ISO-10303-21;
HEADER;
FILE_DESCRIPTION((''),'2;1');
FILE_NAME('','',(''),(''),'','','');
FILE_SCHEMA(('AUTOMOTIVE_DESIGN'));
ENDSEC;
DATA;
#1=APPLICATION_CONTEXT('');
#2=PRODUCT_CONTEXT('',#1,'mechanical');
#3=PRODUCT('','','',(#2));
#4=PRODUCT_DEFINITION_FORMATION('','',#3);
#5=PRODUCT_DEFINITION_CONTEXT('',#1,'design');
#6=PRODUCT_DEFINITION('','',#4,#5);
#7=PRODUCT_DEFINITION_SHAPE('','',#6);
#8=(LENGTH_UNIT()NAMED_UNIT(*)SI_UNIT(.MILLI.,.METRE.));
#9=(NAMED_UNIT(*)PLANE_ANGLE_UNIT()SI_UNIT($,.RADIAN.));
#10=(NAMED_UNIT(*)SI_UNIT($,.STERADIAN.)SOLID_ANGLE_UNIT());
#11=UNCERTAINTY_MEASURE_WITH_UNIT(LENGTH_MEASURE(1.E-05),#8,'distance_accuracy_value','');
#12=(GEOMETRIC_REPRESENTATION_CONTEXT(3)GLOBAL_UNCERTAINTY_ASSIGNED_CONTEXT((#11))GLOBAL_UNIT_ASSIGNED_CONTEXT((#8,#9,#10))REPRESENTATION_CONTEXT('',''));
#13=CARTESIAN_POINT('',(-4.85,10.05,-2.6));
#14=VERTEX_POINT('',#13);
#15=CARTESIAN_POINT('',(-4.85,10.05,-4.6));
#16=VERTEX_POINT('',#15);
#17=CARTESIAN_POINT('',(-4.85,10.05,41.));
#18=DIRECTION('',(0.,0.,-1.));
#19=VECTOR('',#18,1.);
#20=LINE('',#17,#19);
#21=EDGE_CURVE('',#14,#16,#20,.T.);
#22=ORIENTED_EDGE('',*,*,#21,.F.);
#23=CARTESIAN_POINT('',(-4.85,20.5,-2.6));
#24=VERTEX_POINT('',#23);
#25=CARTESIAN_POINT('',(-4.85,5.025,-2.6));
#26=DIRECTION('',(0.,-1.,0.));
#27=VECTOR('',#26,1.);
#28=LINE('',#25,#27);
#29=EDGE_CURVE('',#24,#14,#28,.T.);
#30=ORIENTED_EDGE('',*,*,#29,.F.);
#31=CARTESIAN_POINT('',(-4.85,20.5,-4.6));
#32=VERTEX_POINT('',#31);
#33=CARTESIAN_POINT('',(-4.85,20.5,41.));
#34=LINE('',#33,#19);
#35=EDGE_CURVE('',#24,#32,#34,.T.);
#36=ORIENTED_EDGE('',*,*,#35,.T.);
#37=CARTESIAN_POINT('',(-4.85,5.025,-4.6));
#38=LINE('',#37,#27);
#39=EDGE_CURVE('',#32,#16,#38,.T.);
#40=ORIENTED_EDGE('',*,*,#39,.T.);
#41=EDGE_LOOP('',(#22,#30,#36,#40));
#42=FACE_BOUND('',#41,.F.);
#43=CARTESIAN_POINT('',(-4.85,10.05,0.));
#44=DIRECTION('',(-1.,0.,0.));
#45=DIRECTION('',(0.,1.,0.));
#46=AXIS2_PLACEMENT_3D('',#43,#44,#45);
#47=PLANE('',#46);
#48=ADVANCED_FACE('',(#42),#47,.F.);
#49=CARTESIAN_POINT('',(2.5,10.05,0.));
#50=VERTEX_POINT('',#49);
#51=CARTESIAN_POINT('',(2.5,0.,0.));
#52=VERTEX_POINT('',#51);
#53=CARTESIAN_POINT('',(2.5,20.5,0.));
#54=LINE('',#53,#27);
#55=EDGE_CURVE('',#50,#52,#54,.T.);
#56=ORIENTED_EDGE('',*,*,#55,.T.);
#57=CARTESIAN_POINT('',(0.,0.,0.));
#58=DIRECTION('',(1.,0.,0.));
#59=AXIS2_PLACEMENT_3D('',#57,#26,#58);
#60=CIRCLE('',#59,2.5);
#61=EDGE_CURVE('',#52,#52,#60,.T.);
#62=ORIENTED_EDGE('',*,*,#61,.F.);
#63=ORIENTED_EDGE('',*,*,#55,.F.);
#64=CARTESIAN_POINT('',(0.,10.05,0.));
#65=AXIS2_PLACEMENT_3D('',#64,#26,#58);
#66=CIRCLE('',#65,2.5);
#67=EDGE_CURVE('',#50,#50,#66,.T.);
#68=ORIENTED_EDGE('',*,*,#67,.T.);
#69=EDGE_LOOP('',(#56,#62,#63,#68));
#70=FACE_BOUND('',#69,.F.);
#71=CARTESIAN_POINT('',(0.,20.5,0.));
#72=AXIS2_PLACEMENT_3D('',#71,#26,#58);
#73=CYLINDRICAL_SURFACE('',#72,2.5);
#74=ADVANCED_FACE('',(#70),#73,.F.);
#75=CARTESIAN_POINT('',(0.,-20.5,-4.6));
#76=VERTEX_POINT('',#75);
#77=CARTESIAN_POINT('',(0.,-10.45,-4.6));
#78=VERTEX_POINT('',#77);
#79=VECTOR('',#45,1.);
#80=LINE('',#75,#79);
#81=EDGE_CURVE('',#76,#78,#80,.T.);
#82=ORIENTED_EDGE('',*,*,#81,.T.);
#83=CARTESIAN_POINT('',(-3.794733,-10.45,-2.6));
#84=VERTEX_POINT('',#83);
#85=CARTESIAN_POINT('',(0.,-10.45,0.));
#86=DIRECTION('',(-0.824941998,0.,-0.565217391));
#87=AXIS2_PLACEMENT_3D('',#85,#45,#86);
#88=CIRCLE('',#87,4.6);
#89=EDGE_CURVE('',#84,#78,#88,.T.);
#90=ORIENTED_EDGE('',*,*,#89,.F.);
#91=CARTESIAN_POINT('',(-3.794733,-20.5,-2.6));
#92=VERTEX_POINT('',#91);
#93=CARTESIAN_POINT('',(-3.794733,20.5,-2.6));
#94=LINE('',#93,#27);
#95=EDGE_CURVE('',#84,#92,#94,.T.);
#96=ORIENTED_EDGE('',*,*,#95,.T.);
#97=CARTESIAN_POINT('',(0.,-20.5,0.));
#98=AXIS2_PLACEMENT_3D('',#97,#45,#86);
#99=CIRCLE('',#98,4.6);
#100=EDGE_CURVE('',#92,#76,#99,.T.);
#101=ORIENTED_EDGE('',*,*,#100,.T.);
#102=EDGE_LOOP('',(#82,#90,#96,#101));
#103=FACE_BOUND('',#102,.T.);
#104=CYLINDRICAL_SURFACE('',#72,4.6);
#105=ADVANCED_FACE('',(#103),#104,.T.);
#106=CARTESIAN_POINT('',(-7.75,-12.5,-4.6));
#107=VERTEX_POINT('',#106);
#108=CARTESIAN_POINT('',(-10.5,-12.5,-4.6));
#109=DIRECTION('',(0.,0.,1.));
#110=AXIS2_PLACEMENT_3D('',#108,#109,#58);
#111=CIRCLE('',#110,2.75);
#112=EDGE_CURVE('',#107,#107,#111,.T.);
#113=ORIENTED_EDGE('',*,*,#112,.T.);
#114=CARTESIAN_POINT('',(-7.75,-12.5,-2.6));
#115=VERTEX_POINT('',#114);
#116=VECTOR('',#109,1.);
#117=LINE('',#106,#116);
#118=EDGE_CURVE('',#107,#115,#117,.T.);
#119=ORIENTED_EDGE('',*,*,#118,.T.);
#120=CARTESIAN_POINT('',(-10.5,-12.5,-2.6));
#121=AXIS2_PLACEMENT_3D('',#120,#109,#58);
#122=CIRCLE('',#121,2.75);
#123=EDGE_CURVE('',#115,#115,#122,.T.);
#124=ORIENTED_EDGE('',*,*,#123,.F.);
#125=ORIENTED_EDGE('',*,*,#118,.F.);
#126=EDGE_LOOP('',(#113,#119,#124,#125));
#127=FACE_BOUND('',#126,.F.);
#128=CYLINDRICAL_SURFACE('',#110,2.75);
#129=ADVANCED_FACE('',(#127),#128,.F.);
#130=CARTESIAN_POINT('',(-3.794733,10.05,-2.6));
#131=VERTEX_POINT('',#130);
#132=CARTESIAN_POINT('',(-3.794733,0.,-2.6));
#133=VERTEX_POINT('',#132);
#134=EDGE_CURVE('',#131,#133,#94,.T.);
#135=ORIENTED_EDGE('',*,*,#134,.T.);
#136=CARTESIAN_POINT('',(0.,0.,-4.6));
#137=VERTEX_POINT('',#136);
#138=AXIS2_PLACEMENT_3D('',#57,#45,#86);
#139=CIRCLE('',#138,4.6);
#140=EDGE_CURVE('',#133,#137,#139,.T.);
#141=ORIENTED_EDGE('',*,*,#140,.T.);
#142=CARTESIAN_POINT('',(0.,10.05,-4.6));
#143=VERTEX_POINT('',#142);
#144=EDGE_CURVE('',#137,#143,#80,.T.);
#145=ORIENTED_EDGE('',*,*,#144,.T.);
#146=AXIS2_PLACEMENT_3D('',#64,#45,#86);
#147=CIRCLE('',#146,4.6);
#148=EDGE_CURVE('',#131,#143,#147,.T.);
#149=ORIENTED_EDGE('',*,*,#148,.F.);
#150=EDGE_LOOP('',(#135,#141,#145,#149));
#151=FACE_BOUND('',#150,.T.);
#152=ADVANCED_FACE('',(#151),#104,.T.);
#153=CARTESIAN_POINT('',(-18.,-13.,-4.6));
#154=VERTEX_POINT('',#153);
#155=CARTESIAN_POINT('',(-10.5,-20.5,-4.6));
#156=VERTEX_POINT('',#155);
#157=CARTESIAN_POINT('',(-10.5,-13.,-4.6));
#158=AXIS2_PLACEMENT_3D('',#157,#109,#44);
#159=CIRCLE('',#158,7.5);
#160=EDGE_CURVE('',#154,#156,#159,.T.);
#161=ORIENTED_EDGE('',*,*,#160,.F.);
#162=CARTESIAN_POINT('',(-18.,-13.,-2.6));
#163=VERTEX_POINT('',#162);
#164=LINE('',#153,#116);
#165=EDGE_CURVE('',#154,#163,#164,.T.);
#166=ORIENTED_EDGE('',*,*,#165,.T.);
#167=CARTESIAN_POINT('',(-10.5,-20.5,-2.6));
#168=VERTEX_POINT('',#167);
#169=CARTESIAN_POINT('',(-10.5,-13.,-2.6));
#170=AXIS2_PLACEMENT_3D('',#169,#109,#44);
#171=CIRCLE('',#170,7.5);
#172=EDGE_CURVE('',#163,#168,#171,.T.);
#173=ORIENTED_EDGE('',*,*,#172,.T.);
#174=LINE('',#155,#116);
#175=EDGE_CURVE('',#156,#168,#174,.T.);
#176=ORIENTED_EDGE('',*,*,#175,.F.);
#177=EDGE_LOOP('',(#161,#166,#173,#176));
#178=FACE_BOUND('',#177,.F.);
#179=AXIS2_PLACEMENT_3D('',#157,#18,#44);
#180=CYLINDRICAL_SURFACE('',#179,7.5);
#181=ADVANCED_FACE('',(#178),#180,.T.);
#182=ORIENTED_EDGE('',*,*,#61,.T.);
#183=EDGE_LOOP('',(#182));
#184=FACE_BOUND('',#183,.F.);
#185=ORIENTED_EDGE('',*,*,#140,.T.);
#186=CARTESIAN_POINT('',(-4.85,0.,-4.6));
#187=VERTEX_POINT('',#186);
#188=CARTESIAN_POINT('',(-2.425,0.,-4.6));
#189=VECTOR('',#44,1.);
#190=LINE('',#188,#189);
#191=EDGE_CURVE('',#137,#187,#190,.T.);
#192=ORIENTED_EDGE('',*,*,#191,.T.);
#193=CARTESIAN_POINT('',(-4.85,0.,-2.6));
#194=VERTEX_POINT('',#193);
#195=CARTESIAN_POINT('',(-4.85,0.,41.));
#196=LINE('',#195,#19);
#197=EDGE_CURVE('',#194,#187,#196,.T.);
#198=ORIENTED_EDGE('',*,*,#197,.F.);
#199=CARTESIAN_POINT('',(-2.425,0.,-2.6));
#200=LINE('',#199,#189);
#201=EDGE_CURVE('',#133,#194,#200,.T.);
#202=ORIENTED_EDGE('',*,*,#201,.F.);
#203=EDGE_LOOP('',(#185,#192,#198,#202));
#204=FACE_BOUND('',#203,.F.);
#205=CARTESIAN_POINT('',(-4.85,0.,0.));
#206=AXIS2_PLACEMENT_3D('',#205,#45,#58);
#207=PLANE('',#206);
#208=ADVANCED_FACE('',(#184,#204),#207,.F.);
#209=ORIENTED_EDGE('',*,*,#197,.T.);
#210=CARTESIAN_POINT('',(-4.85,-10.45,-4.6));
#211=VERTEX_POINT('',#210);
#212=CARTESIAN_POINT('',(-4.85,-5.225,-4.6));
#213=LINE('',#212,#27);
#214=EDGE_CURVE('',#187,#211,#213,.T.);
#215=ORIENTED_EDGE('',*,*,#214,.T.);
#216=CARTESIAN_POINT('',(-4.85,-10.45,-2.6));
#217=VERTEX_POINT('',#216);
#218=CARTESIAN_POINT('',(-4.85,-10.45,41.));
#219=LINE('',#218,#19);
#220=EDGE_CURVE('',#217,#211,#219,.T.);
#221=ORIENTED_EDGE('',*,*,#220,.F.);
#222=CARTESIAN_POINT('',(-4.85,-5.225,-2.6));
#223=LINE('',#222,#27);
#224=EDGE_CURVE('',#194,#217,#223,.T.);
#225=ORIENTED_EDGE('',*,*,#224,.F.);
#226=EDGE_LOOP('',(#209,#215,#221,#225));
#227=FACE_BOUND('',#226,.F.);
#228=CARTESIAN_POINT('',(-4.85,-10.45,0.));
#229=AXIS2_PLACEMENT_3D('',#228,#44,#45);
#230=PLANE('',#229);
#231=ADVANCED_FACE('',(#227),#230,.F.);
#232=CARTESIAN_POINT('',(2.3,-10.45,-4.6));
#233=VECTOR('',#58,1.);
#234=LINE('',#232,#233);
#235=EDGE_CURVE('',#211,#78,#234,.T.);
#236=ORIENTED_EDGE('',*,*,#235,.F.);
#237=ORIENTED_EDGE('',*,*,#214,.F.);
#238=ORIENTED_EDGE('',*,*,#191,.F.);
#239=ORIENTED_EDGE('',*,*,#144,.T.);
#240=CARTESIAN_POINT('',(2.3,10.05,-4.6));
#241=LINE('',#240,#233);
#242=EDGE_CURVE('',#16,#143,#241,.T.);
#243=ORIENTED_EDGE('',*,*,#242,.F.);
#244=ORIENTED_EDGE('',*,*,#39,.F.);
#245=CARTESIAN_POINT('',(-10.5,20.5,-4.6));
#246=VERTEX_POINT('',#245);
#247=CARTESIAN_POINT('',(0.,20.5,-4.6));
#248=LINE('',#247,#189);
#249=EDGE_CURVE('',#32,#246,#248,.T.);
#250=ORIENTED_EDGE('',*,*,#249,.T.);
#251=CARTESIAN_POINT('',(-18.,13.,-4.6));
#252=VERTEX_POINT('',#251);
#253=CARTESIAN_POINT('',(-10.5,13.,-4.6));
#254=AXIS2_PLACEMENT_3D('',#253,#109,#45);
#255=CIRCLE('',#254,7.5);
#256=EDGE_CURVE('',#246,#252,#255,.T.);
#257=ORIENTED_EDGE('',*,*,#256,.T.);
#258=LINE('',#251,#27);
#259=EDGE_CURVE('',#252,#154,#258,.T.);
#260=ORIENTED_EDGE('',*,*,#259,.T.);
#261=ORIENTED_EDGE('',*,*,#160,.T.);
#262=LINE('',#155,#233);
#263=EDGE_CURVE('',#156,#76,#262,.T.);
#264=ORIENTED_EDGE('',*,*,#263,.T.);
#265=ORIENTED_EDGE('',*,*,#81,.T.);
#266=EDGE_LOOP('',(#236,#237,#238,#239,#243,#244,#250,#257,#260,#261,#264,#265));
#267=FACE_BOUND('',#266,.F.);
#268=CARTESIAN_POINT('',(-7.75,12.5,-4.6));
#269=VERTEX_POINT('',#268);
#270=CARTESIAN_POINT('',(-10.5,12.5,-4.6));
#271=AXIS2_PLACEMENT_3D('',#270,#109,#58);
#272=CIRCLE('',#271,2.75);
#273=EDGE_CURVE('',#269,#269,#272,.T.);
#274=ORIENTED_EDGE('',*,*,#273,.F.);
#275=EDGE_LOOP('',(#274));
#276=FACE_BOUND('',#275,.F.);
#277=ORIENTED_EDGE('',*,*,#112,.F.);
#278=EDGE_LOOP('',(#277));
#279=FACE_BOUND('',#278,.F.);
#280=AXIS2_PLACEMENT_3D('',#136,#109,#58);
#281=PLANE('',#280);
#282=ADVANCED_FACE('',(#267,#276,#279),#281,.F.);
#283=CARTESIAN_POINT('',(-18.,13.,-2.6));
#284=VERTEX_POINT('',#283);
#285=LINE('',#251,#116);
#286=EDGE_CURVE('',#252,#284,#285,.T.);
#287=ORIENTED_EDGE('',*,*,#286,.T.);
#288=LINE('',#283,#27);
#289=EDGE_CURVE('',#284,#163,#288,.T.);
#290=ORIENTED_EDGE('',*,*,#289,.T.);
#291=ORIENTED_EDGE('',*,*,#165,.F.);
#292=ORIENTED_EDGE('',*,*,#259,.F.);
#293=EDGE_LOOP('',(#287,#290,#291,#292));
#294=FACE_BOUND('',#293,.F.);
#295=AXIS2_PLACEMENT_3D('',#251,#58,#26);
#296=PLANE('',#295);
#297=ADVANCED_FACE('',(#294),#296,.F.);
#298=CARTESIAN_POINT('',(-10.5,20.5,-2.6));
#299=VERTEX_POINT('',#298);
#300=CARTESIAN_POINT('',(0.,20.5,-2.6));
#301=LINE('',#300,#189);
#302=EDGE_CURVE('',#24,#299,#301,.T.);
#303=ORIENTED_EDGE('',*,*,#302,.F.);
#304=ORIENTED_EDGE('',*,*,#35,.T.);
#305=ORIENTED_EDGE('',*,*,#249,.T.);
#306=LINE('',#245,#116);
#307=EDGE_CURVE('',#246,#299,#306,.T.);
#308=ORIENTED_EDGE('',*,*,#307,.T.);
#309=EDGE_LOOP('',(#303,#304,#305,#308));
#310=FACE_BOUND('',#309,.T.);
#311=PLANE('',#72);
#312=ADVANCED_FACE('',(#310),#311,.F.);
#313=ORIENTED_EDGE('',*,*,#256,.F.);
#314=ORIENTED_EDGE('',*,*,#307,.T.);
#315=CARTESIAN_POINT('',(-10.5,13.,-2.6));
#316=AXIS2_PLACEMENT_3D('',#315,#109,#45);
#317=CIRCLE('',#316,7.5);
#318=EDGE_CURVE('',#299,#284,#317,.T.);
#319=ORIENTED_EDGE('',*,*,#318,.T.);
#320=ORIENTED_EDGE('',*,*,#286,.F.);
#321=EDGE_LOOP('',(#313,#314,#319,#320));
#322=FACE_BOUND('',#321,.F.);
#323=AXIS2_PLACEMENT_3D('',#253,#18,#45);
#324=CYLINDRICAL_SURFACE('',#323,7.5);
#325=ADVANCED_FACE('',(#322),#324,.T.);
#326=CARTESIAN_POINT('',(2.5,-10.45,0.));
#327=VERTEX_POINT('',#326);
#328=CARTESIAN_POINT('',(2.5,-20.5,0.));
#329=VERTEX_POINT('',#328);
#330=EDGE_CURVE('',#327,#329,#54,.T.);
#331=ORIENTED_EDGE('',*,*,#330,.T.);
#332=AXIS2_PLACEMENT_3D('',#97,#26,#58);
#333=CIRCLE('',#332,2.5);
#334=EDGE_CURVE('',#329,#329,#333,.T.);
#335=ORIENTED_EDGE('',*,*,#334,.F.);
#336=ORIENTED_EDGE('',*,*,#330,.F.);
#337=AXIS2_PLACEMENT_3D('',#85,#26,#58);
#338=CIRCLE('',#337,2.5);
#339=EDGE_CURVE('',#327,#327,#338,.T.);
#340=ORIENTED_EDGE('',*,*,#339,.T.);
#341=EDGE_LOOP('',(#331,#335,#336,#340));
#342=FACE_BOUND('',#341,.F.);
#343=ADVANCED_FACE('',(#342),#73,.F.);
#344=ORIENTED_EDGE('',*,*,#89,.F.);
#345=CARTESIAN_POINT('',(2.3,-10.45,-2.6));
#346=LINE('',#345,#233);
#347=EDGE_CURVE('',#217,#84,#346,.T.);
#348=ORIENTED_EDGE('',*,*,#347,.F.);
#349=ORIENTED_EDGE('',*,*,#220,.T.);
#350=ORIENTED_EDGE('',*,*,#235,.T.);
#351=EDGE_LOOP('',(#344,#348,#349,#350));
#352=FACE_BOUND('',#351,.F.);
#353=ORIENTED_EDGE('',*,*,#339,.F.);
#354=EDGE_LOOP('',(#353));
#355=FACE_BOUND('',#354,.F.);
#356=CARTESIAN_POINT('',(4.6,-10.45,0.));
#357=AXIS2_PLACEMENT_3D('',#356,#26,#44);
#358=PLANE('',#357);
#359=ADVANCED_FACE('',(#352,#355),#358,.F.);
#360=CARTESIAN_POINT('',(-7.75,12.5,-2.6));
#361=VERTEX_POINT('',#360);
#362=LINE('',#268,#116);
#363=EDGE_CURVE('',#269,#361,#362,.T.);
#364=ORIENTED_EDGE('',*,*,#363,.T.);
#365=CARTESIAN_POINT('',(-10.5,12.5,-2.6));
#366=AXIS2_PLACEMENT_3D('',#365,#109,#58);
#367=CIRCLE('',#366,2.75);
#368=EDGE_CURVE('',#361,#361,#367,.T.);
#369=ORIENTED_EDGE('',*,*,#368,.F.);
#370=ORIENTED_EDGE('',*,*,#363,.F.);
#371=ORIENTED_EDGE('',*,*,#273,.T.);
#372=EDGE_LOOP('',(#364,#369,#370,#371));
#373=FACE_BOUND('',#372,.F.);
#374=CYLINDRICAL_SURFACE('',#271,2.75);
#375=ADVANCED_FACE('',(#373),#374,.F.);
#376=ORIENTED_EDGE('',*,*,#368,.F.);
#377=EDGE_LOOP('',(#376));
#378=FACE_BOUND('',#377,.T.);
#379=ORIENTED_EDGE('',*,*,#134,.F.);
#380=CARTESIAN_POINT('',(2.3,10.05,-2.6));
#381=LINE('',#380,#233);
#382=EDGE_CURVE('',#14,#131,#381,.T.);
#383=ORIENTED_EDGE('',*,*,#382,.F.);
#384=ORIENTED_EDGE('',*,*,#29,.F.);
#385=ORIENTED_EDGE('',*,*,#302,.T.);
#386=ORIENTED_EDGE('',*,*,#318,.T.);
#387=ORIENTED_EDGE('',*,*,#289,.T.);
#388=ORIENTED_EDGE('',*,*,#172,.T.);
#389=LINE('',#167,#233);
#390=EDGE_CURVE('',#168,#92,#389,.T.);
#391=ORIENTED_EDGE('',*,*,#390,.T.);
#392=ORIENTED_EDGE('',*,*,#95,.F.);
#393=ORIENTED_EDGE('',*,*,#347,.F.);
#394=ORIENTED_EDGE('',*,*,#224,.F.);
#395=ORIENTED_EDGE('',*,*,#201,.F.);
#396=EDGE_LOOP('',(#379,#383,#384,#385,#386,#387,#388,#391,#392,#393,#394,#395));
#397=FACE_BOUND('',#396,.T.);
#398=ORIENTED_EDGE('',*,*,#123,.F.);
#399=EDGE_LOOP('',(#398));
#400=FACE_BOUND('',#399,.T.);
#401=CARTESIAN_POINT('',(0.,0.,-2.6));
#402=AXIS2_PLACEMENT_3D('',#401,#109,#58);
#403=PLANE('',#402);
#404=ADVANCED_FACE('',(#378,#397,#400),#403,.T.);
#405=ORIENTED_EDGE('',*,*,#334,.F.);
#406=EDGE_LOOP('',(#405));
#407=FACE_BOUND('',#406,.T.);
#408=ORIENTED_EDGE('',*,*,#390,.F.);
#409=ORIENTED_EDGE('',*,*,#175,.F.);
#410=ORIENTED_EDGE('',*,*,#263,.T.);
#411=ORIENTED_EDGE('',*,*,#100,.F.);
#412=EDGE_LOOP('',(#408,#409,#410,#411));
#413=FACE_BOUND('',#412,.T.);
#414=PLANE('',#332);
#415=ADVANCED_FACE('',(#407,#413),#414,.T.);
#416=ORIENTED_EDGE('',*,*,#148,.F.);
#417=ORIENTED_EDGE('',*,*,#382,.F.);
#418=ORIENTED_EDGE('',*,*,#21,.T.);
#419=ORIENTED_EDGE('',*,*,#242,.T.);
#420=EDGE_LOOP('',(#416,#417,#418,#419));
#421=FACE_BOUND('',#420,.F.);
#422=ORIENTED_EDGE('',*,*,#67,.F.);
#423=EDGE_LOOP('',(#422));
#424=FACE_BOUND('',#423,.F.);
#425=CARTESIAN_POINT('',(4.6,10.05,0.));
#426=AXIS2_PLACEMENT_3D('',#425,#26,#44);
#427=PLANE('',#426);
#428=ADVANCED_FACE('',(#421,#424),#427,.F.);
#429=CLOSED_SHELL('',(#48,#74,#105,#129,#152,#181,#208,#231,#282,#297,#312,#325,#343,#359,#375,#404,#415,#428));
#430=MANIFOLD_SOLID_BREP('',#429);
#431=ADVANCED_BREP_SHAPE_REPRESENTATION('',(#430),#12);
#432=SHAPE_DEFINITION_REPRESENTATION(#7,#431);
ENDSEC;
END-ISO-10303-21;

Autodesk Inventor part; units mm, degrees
sketch "Sketch_1" plane through (0, 0, 0) normal (0, 0, 1) x (1, 0, 0)
  line L0 (0, -20.5) -> (0, 20.5)
  line L1 (0, 20.5) -> (4.6, 20.5)
  line L2 (4.6, 20.5) -> (4.6, -20.5)
  line L3 (4.6, -20.5) -> (0, -20.5)
  line L4 (0, -20.5) -> (0, 20.5)
revolve "Revolution1" add sketch "Sketch_1" angle 360 about axis through (0, -20.5, 0) along (0, -1, 0)
sketch "Sketch_2" plane through (0, 0, -4.6) normal (0, 0, 1) x (1, 0, 0)
  line L0 (-18, 13) -> (-18, -13)
  arc A0 (-18, -13) -> (-10.5, -20.5) centre (-10.5, -13) ccw
  line L1 (-10.5, -20.5) -> (0, -20.5)
  line L2 (0, -20.5) -> (0, 20.5)
  line L3 (0, 20.5) -> (-10.5, 20.5)
  arc A1 (-10.5, 20.5) -> (-18, 13) centre (-10.5, 13) ccw
extrude "Extrusion1" add sketch "Sketch_2" along normal blind 2
sketch "Sketch_3" plane through (0, 0, 0) normal (0, 0, 1) x (1, 0, 0)
  line L0 (-41, 41) -> (-41, -41)
  line L1 (-41, -41) -> (41, -41)
  line L2 (41, -41) -> (41, 41)
  line L3 (41, 41) -> (-41, 41)
  line L4 (-18, 20.5) -> (-18, -20.5)
  line L5 (-18, -20.5) -> (4.6, -20.5)
  line L6 (4.6, -20.5) -> (4.6, -10.45)
  line L7 (4.6, -10.45) -> (-4.85, -10.45)
  line L8 (-4.85, -10.45) -> (-4.85, 0)
  line L9 (-4.85, 0) -> (4.6, 0)
  line L10 (4.6, 0) -> (4.6, 10.05)
  line L11 (4.6, 10.05) -> (-4.85, 10.05)
  line L12 (-4.85, 10.05) -> (-4.85, 20.5)
  line L13 (-4.85, 20.5) -> (-18, 20.5)
extrude "Extrusion2" cut sketch "Sketch_3" along normal mid plane 82
sketch "Sketch_4" plane through (0, 0, 0) normal (0, 0, 1) x (1, 0, 0)
  line L0 (0, -20.5) -> (0, 20.5)
  line L1 (0, 20.5) -> (2.5, 20.5)
  line L2 (2.5, 20.5) -> (2.5, -20.5)
  line L3 (2.5, -20.5) -> (0, -20.5)
  line L4 (0, -20.5) -> (0, 20.5)
revolve "Revolution2" cut sketch "Sketch_4" angle 360 about axis through (0, -20.5, 0) along (0, -1, 0)
sketch "Sketch_11" plane through (0, 12.5, 0) normal (0, 1, 0) x (1, 0, 0)
  line L0 (-10.5, 2.6) -> (-10.5, 4.6)
  line L1 (-10.5, 4.6) -> (-7.75, 4.6)
  line L2 (-7.75, 4.6) -> (-7.75, 2.6)
  line L3 (-7.75, 2.6) -> (-10.5, 2.6)
  line L4 (-10.5, 2.6) -> (-10.5, 4.6)
revolve "Revolution3" cut sketch "Sketch_11" angle 360 about axis through (-10.5, 12.5, -2.6) along (0, 0, 1)
sketch "Sketch_5" plane through (0, -12.5, 0) normal (0, 1, 0) x (1, 0, 0)
  line L0 (-10.5, 2.6) -> (-10.5, 4.6)
  line L1 (-10.5, 4.6) -> (-7.75, 4.6)
  line L2 (-7.75, 4.6) -> (-7.75, 2.6)
  line L3 (-7.75, 2.6) -> (-10.5, 2.6)
  line L4 (-10.5, 2.6) -> (-10.5, 4.6)
revolve "Revolution4" cut sketch "Sketch_5" angle 360 about axis through (-10.5, -12.5, -2.6) along (0, 0, 1)
ref_plane "l_pin_XY" through (0, 0, 0) normal (0, 1, 0) x (1, 0, 0)
ref_plane "l_pin_YZ" through (0, 0, 0) normal (1, 0, 0) x (0, 0, -1)
ref_plane "l_pin_ZX" through (0, 0, 0) normal (0, 0, -1) x (0, 1, 0)
ref_plane "hole1l_to_bolt_XY" through (-10.5, 12.5, -2.6) normal (0, 0, 1) x (1, 0, 0)
ref_plane "hole1l_to_bolt_YZ" through (-10.5, 12.5, -2.6) normal (1, 0, 0) x (0, 1, 0)
ref_plane "hole1l_to_bolt_ZX" through (-10.5, 12.5, -2.6) normal (0, 1, 0) x (0, 0, 1)
ref_plane "hole2l_to_bolt_XY" through (-10.5, -12.5, -2.6) normal (0, 0, 1) x (1, 0, 0)
ref_plane "hole2l_to_bolt_YZ" through (-10.5, -12.5, -2.6) normal (1, 0, 0) x (0, 1, 0)
ref_plane "hole2l_to_bolt_ZX" through (-10.5, -12.5, -2.6) normal (0, 1, 0) x (0, 0, 1)
ref_plane "hole3l_to_bolt_XY" through (-10.5, 0, -2.6) normal (0, 0, 1) x (1, 0, 0)
ref_plane "hole3l_to_bolt_YZ" through (-10.5, 0, -2.6) normal (1, 0, 0) x (0, 1, 0)
ref_plane "hole3l_to_bolt_ZX" through (-10.5, 0, -2.6) normal (0, 1, 0) x (0, 0, 1)
properties part number "SHHPS5-2-l"
